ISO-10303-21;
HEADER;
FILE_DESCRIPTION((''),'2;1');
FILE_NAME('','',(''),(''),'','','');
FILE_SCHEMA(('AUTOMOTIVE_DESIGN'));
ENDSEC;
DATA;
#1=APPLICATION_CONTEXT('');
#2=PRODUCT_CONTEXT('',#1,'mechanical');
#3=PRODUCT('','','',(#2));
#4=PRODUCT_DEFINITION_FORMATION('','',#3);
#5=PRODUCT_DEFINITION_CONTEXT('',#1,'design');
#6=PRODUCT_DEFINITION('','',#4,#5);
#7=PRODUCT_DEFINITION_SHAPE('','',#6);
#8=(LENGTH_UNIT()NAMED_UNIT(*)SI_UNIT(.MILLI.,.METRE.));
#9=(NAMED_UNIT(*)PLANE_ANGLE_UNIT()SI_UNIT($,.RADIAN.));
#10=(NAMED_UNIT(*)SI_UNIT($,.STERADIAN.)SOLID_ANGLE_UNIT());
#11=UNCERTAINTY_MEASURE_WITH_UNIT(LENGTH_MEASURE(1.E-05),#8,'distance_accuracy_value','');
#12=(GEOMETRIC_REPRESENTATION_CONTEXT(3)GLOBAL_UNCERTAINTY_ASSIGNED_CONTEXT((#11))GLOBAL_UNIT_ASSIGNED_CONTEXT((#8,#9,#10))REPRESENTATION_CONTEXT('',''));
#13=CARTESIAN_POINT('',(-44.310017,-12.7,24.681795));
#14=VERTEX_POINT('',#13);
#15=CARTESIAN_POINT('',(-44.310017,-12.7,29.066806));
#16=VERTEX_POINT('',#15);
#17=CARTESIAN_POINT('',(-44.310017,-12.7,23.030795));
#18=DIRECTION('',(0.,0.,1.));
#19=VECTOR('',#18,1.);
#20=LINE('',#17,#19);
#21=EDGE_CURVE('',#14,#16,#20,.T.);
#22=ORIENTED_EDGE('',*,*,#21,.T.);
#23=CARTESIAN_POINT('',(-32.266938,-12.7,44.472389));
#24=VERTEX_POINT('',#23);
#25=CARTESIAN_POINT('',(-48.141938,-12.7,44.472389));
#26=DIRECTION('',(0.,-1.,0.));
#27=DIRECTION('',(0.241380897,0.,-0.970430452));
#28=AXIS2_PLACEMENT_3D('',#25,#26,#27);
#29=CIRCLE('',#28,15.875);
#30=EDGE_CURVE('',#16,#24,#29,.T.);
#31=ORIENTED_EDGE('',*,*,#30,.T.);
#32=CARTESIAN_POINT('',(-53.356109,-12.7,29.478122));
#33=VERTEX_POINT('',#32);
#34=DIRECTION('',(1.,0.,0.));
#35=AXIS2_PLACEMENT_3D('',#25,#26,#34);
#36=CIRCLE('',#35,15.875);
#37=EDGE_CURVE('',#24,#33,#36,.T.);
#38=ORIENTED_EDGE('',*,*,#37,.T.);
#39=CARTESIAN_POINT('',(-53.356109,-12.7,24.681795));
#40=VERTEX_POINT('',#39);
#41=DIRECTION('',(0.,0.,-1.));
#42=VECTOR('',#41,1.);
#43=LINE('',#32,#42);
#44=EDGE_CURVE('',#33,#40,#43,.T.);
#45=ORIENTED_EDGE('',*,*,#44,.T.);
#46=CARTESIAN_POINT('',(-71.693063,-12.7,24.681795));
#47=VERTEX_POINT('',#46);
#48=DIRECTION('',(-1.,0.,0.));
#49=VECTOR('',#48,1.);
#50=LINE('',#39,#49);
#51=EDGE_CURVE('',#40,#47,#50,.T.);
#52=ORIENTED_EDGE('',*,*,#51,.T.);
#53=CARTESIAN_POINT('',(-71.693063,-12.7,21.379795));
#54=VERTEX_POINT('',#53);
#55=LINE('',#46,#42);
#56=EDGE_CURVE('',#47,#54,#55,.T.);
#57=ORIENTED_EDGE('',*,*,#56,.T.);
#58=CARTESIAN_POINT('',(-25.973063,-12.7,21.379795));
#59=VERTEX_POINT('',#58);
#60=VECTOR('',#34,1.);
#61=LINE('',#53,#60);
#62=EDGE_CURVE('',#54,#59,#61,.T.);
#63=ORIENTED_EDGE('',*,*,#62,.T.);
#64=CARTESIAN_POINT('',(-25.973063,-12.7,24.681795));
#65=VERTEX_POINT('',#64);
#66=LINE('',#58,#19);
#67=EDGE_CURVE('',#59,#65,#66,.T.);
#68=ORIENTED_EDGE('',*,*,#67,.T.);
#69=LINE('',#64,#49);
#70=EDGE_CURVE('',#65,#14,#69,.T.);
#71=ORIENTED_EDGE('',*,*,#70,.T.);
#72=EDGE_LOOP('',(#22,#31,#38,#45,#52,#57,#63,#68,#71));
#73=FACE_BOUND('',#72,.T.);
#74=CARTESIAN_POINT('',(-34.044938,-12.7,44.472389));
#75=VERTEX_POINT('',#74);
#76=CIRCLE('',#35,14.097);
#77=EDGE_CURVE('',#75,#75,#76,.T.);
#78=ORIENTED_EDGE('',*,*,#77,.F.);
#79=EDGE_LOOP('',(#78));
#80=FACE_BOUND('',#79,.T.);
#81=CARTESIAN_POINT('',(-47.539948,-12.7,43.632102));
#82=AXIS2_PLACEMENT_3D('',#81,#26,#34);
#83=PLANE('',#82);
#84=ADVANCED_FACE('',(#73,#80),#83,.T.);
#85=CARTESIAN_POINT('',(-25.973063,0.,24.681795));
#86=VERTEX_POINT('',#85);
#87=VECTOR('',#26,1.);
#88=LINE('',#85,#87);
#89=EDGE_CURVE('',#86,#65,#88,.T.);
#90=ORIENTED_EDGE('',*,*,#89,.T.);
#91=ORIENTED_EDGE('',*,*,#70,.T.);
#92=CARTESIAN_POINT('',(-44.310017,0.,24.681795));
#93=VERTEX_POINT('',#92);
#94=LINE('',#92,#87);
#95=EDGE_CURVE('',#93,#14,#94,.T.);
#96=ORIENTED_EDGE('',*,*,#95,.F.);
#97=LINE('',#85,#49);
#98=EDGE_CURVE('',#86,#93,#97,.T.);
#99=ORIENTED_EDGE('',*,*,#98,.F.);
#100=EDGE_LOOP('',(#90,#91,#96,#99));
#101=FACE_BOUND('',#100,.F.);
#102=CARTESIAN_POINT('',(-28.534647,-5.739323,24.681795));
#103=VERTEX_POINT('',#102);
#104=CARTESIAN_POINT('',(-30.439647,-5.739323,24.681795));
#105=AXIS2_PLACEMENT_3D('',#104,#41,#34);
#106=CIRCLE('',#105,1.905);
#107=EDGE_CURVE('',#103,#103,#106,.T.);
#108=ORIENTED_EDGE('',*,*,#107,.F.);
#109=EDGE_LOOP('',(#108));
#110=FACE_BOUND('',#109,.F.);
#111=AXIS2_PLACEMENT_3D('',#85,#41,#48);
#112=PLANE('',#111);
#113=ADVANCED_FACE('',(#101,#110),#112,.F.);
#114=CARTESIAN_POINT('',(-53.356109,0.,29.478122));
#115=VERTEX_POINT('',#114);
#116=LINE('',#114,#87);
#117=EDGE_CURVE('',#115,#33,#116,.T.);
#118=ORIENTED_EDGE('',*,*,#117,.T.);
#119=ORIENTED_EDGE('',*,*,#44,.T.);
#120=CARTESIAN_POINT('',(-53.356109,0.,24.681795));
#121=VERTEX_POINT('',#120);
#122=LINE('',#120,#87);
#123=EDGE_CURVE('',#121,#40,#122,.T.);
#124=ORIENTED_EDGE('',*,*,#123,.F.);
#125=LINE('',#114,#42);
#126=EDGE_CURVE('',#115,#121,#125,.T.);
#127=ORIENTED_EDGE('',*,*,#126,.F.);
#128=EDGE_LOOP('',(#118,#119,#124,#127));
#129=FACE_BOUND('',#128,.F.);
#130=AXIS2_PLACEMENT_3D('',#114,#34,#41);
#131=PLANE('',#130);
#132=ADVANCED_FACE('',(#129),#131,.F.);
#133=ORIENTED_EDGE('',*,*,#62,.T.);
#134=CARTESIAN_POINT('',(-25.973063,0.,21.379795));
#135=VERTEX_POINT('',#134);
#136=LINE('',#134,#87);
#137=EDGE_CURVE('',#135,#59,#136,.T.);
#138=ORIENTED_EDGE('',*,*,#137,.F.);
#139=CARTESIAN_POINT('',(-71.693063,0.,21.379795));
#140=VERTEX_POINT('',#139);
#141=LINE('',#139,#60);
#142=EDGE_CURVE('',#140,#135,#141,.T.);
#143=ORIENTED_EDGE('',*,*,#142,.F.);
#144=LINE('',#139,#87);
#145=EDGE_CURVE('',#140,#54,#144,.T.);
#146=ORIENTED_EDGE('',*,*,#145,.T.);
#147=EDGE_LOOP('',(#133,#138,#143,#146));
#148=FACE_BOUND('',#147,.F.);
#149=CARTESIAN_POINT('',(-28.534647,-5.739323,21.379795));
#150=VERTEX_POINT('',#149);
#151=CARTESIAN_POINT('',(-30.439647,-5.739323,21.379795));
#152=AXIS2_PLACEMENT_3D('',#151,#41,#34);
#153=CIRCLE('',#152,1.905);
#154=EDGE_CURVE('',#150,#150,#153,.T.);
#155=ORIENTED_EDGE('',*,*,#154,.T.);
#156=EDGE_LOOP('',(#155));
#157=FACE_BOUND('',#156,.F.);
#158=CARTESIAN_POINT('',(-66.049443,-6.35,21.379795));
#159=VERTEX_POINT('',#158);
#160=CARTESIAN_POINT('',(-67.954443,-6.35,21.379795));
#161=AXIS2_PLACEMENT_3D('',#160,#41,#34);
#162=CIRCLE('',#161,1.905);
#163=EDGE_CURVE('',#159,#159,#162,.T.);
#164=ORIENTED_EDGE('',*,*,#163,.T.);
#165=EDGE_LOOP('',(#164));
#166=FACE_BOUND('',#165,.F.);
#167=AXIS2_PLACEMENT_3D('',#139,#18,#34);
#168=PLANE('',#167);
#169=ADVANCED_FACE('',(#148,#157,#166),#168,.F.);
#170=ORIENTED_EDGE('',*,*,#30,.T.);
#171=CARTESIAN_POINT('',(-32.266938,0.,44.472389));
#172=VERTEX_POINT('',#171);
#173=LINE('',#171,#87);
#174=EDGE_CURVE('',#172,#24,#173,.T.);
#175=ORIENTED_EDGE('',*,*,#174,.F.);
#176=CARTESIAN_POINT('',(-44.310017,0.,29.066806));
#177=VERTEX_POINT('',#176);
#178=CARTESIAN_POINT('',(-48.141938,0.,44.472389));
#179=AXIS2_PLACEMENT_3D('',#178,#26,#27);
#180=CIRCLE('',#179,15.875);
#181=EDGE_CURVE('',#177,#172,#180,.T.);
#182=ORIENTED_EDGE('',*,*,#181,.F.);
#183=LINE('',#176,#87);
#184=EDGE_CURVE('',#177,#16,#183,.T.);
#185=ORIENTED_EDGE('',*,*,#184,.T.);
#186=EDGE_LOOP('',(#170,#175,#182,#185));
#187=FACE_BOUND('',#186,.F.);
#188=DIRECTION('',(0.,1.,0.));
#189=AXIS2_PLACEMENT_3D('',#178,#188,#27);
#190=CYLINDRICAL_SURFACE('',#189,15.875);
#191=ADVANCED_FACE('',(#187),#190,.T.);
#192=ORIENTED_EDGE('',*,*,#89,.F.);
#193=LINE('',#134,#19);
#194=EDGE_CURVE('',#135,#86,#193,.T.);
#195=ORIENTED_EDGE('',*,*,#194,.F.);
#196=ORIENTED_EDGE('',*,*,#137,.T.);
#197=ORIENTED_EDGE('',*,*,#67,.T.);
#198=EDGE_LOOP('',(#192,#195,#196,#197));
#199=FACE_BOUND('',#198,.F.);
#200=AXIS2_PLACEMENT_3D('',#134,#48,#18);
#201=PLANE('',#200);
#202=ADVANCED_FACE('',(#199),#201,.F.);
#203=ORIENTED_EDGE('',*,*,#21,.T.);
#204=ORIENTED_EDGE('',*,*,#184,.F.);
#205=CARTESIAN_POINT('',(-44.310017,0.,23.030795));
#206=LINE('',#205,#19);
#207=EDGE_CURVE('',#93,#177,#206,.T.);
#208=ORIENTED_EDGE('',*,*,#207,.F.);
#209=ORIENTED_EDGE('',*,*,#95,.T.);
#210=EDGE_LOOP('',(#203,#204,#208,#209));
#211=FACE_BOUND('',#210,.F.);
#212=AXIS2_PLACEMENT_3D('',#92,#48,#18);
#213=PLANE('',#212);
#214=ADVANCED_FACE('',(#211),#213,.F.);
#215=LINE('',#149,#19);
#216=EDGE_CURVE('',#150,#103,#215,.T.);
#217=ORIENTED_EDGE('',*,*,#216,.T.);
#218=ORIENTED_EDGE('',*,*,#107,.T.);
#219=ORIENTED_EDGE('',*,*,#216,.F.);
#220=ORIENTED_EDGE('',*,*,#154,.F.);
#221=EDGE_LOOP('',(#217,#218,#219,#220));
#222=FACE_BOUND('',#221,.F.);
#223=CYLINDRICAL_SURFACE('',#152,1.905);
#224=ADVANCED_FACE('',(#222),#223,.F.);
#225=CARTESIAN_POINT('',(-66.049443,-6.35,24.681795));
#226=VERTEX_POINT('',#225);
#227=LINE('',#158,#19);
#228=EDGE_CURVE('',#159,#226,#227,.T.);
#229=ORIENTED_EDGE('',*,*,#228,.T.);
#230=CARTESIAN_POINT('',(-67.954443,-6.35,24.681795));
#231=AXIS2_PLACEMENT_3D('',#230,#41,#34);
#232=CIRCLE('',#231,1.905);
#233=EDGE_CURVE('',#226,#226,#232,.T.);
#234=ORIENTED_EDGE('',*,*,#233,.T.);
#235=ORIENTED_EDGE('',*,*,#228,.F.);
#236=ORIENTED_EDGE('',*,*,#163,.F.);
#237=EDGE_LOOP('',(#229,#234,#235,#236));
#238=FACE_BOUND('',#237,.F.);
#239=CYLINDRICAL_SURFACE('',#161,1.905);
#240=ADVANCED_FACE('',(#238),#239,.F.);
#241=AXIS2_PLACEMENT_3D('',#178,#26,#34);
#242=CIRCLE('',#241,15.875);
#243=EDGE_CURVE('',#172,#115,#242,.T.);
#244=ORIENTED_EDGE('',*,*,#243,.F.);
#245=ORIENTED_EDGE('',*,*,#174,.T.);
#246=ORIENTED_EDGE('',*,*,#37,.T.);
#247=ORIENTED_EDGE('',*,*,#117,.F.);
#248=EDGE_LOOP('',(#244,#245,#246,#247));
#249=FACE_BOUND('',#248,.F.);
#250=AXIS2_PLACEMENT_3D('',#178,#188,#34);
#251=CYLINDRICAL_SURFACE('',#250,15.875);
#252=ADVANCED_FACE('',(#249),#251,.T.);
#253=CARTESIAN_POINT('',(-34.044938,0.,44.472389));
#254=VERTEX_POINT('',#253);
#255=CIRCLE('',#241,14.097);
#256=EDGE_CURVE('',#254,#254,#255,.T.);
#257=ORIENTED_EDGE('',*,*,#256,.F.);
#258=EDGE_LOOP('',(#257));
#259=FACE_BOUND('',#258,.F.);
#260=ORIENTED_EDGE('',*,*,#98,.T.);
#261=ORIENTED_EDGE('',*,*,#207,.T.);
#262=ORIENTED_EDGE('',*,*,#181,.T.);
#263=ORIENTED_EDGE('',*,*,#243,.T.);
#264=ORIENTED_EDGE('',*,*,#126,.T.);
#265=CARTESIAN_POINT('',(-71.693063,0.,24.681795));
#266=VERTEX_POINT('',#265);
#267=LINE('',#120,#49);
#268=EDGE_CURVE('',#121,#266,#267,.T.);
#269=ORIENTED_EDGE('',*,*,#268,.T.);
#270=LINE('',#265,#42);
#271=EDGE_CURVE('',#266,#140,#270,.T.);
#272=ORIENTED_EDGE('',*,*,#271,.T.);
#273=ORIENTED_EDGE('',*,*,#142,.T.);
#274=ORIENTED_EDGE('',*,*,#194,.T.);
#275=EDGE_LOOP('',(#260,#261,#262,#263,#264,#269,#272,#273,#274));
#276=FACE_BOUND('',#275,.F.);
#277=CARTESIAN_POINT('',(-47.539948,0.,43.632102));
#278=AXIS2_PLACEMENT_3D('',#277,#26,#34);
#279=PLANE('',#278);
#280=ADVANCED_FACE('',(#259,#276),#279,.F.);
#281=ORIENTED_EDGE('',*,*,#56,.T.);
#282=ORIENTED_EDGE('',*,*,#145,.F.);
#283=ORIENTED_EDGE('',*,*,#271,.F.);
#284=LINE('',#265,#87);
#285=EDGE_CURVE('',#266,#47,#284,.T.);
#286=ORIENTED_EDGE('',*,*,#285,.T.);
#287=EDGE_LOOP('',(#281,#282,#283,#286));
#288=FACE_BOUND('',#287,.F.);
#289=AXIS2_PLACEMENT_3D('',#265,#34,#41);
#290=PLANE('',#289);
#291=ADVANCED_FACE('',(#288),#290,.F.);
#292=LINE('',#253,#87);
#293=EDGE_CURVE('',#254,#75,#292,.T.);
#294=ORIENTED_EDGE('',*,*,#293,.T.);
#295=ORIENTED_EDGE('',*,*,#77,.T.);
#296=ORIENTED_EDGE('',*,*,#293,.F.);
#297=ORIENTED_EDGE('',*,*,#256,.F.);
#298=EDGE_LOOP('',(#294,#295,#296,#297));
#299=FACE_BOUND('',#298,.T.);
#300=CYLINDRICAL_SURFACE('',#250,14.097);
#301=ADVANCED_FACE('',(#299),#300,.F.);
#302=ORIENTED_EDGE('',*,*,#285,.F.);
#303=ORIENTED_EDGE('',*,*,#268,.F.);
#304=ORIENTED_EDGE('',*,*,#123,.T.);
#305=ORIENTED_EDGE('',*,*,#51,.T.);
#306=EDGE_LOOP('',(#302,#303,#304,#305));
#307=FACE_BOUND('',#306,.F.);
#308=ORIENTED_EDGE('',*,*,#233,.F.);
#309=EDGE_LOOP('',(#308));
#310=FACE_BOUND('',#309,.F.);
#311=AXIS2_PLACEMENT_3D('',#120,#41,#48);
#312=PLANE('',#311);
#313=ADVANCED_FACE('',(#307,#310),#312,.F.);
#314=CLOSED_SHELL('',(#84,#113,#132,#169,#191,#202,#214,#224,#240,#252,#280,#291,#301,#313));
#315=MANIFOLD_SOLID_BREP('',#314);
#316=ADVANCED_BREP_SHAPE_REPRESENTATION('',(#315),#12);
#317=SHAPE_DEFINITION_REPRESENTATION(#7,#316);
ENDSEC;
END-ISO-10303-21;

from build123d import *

# Parameters (mm, degrees)
F0_R     = 14.097
F0_W     = 9.0460923728
F0_H     = 1.651
F1_DEPTH = 12.7
F2_R     = 1.905
F3_DEPTH = 9.906


with BuildPart() as f1:
    # F0 (on Front) → F1 (new body)
    with BuildSketch(Plane.XZ):
        with BuildLine():
            ThreePointArc((-44.3100165959, 29.066805622), (-35.6349926122, 34.6952763024), (-32.2669383345, 44.4723890511))
            ThreePointArc((-32.2669383345, 44.4723890511), (-57.3408694186, 57.4105222978), (-53.3561089687, 29.4781218267))
            Line((-53.3561089687, 29.4781218267), (-44.3100165959, 29.4781218267))
            Line((-44.3100165959, 29.4781218267), (-44.3100165959, 29.066805622))
        make_face()
        with Locations((-48.1419383345, 44.4723890511)):
            Circle(F0_R, mode=Mode.SUBTRACT)
        with BuildLine():
            Line((-44.3100165959, 29.4781218267), (-53.3561089687, 29.4781218267))
            ThreePointArc((-53.3561089687, 29.4781218267), (-48.8630127116, 28.6137738296), (-44.3100165959, 29.066805622))
            Line((-44.3100165959, 29.066805622), (-44.3100165959, 29.4781218267))
        make_face()
        with BuildLine():
            ThreePointArc((-44.3100165959, 29.066805622), (-48.8630127116, 28.6137738296), (-53.3561089687, 29.4781218267))
            Line((-53.3561089687, 29.4781218267), (-53.3561089687, 24.6817949255))
            Line((-53.3561089687, 24.6817949255), (-44.3100165959, 24.6817949255))
            Line((-44.3100165959, 24.6817949255), (-44.3100165959, 29.066805622))
        make_face()
        with Locations((-48.8330627823, 23.8562949255)):
            Rectangle(F0_W, F0_H)
        Polygon((-53.3561089687, 23.0307949255), (-53.3561089687, 24.6817949255), (-71.6930627823, 24.6817949255), (-71.6930627823, 21.3797949255), (-25.9730627823, 21.3797949255), (-25.9730627823, 24.6817949255), (-44.3100165959, 24.6817949255), (-44.3100165959, 23.0307949255), align=None)
    extrude(amount=F1_DEPTH)

    # F2 (on face) → F3 (cut)
    with BuildSketch(Plane(origin=(0, 0, 21.3797949255), x_dir=(1, 0, 0), z_dir=(0, 0, -1))):
        with Locations((-67.9544433951, 6.35)):
            Circle(F2_R)
        with Locations((-30.4396469146, 5.7393233292)):
            Circle(F2_R)
    extrude(amount=-F3_DEPTH, mode=Mode.SUBTRACT)


solid = f1.part
